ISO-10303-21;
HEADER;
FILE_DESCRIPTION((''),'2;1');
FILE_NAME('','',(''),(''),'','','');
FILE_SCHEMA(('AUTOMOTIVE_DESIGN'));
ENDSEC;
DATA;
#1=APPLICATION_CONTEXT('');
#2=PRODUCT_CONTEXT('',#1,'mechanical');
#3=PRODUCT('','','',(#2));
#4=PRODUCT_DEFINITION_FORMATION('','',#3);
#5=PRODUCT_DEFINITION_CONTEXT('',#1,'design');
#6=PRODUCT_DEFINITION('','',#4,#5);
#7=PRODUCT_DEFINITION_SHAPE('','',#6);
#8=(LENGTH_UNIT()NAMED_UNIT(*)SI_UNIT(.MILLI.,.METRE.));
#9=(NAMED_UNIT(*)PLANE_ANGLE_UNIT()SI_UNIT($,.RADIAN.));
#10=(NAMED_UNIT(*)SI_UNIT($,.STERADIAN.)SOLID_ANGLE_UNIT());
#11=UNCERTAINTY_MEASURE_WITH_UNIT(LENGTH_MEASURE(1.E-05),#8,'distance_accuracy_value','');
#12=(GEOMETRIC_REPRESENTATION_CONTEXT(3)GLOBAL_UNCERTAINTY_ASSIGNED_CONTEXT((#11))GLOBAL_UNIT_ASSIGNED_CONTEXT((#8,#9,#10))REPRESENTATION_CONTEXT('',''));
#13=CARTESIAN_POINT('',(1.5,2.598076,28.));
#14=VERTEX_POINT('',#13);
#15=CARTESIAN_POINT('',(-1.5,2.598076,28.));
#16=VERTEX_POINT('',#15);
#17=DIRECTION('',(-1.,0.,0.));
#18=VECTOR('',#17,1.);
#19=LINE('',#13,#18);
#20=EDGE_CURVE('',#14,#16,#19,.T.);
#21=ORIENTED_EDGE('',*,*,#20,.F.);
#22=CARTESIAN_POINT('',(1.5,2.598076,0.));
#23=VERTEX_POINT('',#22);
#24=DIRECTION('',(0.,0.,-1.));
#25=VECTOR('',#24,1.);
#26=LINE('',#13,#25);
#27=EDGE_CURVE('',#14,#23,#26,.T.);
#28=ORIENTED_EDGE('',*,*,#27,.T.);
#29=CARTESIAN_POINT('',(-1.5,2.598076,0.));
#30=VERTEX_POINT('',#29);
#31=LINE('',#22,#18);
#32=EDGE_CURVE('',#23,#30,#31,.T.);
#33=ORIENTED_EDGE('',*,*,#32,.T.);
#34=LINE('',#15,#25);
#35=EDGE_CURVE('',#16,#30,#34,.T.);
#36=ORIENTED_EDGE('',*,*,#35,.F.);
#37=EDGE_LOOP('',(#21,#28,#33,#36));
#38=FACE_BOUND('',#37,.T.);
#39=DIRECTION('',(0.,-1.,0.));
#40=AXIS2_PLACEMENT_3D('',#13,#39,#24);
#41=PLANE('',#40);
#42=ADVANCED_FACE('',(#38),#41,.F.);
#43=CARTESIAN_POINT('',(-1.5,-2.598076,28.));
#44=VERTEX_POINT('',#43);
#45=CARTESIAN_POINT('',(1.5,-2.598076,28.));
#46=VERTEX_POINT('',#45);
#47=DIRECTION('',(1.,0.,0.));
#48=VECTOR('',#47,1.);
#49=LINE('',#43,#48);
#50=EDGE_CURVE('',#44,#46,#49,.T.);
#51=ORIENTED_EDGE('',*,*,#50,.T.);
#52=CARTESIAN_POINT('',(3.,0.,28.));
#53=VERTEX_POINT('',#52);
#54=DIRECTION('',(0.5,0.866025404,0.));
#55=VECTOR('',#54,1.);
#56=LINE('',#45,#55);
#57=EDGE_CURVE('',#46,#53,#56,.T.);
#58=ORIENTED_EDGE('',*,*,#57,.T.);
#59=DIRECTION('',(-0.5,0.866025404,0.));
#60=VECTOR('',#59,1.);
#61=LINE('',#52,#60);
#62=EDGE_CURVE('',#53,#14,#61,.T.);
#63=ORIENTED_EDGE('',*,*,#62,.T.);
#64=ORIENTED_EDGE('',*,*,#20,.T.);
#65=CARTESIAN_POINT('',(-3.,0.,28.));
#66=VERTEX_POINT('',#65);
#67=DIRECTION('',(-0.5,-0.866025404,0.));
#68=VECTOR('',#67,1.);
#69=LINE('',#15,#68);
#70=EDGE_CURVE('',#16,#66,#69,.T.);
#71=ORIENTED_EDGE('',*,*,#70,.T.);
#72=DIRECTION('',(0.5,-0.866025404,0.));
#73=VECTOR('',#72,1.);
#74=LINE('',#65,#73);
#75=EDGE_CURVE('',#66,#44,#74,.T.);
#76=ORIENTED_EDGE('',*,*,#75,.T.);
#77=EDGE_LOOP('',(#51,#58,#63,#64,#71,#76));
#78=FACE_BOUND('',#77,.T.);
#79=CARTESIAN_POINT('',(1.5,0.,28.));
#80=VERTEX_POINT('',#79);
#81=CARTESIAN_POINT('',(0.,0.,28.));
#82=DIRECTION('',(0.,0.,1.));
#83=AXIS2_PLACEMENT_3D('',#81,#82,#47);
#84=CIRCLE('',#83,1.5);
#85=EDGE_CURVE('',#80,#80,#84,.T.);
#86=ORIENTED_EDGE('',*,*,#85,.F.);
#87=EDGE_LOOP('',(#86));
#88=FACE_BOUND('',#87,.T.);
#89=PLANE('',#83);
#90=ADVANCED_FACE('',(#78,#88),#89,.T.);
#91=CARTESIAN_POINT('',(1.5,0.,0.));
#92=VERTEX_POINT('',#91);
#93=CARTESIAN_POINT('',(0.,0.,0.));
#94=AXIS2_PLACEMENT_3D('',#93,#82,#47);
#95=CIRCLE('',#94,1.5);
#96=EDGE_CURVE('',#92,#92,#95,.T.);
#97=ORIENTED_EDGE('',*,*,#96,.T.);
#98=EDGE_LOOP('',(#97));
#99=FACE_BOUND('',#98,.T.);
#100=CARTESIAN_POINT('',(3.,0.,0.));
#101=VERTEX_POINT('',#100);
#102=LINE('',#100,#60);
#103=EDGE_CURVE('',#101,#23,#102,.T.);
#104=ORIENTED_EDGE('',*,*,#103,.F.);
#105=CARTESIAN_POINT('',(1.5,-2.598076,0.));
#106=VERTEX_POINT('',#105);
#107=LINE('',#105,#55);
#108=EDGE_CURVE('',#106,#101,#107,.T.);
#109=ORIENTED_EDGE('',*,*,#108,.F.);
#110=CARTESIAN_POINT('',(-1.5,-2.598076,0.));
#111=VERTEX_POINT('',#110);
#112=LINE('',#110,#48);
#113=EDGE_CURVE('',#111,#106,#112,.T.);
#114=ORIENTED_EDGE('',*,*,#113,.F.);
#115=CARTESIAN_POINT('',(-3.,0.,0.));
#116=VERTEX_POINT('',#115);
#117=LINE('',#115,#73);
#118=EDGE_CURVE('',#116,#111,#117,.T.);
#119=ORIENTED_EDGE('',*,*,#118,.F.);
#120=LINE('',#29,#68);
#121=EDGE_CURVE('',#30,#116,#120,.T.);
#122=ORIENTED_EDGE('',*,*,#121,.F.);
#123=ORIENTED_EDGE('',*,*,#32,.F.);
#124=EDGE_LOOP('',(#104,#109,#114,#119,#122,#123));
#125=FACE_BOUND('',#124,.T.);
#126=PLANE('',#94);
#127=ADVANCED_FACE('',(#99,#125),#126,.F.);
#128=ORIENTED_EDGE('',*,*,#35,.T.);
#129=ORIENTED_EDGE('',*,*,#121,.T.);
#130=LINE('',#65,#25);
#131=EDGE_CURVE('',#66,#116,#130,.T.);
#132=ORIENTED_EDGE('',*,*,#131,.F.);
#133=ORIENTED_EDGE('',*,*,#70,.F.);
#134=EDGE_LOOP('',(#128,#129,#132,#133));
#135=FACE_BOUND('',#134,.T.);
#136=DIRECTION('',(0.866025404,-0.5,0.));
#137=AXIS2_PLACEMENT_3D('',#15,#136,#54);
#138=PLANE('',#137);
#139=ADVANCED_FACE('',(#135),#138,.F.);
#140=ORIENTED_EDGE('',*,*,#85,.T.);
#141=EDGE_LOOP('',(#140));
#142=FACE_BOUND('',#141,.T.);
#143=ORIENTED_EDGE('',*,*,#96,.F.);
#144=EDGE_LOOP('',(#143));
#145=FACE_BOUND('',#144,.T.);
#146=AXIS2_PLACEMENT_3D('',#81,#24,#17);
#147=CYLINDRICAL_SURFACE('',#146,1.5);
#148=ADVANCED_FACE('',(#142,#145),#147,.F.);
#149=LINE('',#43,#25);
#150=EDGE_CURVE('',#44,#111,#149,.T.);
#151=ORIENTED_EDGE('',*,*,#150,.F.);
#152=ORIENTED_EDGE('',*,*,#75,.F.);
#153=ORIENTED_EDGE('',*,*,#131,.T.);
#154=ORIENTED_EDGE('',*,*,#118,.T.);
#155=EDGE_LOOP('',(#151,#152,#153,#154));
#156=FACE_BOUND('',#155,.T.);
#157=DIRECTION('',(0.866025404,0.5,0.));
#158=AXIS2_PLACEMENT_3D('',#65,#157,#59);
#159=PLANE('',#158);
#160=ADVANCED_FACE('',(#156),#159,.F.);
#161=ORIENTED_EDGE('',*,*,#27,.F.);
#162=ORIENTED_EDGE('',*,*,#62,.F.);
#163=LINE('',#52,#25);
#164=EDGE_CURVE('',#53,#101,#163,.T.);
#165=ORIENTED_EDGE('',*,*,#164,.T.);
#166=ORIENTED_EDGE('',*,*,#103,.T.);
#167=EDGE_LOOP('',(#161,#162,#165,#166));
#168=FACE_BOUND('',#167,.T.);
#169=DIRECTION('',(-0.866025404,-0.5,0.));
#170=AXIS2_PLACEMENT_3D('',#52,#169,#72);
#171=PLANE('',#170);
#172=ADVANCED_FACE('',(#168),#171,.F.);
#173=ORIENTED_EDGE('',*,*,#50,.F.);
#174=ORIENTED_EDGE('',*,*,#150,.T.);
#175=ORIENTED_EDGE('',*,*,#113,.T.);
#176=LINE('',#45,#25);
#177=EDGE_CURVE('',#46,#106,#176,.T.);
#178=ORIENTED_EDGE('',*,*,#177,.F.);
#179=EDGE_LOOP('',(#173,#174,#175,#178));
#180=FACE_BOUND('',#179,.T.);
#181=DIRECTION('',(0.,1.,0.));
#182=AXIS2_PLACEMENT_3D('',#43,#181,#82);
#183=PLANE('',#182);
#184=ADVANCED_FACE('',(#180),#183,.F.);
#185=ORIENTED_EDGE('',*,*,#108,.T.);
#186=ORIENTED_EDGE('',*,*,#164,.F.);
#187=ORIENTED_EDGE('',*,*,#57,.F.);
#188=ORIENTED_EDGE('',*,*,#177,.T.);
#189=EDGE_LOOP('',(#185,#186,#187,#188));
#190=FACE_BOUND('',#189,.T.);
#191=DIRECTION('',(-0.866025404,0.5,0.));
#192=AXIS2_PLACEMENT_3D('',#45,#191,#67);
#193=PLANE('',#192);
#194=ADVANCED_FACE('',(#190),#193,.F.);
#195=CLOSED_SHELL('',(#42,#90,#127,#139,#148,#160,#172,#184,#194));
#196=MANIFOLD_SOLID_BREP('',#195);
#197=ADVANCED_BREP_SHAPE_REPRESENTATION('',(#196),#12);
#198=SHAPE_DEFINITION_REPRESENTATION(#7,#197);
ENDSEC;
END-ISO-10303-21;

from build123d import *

# Parameters (mm, degrees)
SKETCH_1_R      = 1.5
EXTRUDE_1_DEPTH = 28


with BuildPart() as part:
    # Эскиз1 → Бобышка-Вытянуть1 (new body)
    with BuildSketch(Plane.XY):
        Polygon((3, 0), (1.5, 2.598076211), (-1.5, 2.598076211), (-3, 0), (-1.5, -2.598076211), (1.5, -2.598076211), align=None)
        Circle(SKETCH_1_R, mode=Mode.SUBTRACT)
    extrude(amount=EXTRUDE_1_DEPTH)


solid = part.part
